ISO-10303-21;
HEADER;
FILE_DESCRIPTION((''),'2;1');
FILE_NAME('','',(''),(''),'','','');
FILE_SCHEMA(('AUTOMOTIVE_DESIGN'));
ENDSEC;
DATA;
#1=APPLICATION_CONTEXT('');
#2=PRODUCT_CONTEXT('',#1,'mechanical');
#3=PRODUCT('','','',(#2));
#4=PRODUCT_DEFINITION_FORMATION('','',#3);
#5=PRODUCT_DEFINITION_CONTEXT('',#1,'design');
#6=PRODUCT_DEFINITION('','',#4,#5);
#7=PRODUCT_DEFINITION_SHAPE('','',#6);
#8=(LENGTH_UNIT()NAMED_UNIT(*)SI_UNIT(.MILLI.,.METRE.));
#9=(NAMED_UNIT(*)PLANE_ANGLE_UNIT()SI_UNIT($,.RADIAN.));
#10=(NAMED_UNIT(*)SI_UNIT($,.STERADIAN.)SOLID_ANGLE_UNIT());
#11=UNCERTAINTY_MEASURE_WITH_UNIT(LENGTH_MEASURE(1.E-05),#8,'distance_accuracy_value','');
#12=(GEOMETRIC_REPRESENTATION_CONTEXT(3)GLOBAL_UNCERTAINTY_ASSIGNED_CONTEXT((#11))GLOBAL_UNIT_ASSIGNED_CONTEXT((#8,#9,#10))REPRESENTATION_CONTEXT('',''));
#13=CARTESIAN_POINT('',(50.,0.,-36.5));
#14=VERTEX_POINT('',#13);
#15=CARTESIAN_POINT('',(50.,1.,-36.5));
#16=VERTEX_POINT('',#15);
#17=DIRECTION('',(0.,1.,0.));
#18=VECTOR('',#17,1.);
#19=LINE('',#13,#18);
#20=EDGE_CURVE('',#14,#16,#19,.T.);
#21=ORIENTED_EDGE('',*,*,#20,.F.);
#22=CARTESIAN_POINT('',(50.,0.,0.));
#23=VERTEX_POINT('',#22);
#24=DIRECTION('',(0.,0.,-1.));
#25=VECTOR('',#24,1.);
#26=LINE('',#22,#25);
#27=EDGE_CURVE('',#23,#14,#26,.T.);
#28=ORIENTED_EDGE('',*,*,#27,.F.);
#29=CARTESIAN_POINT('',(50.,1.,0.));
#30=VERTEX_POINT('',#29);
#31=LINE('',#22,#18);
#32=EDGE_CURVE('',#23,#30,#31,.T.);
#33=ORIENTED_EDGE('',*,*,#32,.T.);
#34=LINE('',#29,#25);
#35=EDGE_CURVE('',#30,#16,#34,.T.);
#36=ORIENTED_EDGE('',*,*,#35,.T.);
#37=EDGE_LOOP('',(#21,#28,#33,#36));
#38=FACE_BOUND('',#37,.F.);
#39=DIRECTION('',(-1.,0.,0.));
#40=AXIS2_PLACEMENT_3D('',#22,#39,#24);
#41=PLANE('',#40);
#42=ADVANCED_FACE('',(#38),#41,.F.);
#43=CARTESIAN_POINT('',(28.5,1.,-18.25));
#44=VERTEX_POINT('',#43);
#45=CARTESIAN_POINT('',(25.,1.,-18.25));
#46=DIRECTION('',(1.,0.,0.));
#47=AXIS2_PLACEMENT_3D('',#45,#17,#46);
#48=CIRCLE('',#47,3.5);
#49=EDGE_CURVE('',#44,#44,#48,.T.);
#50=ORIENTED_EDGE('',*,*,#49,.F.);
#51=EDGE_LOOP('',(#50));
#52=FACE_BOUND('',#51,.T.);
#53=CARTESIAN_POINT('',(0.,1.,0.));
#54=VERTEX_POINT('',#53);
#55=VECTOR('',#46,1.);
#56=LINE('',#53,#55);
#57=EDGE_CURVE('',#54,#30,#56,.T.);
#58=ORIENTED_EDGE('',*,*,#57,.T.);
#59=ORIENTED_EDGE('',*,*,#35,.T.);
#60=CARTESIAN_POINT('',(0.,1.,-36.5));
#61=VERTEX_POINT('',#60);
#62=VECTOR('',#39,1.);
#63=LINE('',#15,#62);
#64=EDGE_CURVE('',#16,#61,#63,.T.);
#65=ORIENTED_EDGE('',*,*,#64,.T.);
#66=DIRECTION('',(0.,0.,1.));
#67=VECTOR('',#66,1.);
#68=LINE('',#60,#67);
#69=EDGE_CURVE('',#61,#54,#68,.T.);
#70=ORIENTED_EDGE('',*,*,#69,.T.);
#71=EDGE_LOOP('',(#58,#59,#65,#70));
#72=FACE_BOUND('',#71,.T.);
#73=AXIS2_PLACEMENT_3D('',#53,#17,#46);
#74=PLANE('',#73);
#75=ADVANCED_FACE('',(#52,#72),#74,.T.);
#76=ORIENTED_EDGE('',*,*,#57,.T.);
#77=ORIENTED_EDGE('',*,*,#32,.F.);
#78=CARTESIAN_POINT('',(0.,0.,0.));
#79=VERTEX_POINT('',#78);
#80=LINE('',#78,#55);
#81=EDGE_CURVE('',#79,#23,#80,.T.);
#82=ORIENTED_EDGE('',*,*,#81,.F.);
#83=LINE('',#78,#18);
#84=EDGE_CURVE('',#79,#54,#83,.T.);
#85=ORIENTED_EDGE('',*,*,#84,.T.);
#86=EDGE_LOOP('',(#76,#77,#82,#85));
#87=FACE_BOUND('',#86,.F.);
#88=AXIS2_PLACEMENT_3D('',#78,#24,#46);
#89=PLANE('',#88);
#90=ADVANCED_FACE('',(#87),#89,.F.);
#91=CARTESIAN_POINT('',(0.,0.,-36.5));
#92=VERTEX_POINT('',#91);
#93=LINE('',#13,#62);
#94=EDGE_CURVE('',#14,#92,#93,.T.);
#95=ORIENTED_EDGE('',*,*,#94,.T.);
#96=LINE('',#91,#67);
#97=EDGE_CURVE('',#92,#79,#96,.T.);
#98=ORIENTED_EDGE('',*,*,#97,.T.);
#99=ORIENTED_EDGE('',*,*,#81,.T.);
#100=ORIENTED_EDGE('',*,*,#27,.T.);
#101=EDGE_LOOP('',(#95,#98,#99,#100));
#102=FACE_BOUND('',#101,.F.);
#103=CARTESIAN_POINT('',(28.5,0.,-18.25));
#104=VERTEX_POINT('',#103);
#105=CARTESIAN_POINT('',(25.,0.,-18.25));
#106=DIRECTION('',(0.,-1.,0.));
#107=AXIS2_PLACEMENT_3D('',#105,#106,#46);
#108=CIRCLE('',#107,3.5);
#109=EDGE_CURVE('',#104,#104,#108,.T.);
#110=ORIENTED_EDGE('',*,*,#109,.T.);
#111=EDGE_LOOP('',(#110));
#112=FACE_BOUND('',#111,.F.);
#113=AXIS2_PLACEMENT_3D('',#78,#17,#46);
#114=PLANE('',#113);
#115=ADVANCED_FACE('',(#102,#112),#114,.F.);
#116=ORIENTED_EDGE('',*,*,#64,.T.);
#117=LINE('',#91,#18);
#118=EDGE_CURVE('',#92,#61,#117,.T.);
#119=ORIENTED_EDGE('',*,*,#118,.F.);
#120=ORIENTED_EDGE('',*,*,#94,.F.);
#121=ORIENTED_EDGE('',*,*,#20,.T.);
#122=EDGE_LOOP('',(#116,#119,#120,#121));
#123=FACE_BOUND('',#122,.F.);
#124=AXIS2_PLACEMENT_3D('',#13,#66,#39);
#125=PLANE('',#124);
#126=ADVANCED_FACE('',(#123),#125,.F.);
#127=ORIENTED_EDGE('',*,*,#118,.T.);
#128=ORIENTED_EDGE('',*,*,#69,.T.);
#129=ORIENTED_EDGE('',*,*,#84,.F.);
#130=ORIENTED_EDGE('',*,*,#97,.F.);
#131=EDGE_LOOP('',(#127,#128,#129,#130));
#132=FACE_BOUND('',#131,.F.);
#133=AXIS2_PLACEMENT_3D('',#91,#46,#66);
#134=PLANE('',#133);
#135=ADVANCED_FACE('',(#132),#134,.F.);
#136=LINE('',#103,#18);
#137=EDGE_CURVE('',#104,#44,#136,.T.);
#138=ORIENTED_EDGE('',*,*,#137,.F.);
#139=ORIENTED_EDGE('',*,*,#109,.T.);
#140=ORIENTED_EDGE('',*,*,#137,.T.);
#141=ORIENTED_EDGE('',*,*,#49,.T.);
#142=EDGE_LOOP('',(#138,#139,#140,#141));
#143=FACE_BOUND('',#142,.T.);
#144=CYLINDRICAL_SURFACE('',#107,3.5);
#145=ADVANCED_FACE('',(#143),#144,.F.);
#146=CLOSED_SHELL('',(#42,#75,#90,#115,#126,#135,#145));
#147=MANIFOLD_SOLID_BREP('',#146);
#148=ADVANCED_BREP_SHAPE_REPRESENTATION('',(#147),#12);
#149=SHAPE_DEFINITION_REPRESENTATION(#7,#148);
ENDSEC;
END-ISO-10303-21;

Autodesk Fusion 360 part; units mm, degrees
sketch "Sketch1" plane through (0, 0, 0) normal (0, 1, 0) x (1, 0, 0)
  line L0 (0, 0) -> (50, 0)
  line L1 (50, 0) -> (50, 36.5)
  line L2 (50, 36.5) -> (0, 36.5)
  line L3 (0, 36.5) -> (0, 0)
  line L4 (0, 36.5) -> (50, 0)
  line L5 (50, 36.5) -> (0, 0)
  circle A0 centre (25, 18.25) radius 3.5
  dimension "d1" = 50
  dimension "d2" = 36.5
  dimension "d3" = 7
extrude "Extrude1" add sketch "Sketch1" along normal blind 1 contours L0 L4 L5 A0 | L3 L4 L5 A0 | L1 L4 L5 A0 | L2 L4 L5 A0
